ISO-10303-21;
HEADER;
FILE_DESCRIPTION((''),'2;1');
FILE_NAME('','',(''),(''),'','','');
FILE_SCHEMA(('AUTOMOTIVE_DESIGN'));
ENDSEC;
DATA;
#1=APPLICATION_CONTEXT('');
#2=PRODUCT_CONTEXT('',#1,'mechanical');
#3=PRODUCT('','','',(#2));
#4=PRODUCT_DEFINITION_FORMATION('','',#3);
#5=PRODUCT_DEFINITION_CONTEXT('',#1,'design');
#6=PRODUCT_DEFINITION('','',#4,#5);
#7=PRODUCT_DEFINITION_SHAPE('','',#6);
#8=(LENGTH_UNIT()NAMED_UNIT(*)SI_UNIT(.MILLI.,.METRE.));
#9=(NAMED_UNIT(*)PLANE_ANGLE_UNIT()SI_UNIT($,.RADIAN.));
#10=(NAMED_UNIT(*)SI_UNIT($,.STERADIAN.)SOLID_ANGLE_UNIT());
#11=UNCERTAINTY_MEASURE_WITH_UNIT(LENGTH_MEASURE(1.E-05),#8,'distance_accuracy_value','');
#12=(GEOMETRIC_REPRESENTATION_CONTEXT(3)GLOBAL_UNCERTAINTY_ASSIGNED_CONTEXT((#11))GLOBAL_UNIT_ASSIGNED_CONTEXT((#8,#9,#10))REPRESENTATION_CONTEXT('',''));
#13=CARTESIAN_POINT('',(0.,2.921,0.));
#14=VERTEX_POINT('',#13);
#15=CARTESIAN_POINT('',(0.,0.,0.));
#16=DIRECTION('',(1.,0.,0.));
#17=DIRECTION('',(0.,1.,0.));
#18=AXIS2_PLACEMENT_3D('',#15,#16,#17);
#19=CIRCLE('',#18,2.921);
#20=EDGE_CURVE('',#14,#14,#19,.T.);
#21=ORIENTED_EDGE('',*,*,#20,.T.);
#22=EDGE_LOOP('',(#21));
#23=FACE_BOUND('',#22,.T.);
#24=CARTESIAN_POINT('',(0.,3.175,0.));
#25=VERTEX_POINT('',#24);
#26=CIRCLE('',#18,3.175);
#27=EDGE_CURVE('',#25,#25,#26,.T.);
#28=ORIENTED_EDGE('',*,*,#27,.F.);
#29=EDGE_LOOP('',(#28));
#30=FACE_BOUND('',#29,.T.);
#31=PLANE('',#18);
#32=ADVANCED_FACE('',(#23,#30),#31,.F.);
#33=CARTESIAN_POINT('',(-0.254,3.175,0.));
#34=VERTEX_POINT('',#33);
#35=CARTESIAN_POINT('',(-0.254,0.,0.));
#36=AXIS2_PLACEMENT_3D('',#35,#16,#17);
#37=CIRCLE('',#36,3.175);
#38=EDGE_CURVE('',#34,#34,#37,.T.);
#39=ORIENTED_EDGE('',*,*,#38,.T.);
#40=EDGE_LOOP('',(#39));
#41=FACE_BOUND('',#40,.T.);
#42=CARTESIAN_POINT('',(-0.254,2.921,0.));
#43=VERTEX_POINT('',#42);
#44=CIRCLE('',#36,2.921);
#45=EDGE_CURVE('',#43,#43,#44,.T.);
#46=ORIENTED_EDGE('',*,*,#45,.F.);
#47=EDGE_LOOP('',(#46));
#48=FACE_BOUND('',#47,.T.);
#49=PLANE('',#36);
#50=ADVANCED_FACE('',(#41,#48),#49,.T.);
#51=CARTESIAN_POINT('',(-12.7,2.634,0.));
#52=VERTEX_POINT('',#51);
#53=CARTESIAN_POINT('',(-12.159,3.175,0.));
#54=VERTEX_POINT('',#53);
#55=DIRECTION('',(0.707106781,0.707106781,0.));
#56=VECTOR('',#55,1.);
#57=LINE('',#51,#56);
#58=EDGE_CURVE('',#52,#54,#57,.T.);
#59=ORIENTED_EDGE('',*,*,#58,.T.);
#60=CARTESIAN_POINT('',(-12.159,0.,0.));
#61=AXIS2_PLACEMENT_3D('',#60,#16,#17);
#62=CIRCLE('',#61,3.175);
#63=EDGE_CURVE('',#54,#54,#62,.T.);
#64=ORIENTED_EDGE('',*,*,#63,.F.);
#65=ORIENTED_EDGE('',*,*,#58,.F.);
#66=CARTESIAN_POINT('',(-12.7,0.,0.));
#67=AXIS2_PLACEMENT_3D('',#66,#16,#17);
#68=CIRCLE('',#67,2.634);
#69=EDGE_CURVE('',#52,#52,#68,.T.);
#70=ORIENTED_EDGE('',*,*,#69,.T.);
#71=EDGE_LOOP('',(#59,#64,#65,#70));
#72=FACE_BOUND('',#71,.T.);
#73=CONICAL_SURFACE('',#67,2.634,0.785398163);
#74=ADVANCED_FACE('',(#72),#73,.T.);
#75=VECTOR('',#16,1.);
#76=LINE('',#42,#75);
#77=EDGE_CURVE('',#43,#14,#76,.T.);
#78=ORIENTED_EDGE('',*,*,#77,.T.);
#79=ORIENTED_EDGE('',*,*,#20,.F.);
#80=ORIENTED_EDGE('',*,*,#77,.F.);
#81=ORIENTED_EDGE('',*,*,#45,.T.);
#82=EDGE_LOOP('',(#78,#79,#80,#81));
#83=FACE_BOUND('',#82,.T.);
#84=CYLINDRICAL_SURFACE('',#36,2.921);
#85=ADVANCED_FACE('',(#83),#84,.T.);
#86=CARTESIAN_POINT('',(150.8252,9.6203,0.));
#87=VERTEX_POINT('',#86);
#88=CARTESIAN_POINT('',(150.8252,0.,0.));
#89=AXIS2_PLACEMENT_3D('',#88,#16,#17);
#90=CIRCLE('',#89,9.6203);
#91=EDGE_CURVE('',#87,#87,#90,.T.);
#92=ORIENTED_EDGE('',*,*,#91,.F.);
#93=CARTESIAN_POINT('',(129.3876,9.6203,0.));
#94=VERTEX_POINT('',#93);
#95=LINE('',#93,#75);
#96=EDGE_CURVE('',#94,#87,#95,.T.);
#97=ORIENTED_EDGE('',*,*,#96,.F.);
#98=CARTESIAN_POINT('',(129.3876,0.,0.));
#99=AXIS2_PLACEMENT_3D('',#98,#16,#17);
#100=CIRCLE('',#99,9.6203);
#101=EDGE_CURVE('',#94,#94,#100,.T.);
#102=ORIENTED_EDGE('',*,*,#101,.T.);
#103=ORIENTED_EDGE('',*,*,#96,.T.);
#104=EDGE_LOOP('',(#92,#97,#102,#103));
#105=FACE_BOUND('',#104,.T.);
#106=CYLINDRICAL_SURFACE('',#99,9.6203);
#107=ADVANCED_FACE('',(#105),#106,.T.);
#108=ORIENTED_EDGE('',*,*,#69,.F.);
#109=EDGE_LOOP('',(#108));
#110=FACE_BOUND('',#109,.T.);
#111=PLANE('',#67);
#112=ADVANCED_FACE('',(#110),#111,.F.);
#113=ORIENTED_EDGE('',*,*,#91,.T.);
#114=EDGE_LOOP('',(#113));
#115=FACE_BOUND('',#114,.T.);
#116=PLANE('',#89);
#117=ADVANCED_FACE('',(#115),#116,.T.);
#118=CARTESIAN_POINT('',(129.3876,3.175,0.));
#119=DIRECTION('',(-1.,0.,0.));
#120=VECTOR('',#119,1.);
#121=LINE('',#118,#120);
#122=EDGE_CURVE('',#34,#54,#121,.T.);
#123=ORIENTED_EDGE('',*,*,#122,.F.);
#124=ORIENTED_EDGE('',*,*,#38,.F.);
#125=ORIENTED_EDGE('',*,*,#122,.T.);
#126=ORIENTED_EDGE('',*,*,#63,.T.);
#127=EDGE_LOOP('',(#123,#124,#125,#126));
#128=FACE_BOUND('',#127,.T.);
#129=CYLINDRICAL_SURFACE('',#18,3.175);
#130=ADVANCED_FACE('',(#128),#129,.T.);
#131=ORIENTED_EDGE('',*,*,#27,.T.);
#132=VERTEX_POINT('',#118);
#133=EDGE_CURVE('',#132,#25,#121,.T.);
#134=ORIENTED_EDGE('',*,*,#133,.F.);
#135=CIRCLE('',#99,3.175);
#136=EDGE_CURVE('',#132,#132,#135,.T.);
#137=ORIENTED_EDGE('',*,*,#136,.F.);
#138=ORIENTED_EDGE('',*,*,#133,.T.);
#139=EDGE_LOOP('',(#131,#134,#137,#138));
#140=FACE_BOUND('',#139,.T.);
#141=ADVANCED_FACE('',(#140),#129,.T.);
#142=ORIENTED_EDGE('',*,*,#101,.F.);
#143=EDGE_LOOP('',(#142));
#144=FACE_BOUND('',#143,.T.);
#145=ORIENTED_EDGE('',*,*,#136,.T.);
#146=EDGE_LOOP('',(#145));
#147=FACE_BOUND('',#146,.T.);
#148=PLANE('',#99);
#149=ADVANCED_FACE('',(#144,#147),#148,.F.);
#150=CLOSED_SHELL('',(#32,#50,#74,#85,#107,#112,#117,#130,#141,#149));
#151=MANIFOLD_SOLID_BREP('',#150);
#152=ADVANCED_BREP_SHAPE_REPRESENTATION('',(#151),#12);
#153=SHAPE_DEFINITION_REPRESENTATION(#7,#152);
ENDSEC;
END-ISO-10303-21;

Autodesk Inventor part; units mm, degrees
sketch "Sketch_1" plane through (0, 0, 0) normal (0, 0, 1) x (1, 0, 0)
  line L0 (150.8252, 0) -> (0, 0)
  line L1 (0, 0) -> (0, 3.175)
  line L2 (0, 3.175) -> (129.3876, 3.175)
  line L3 (129.3876, 3.175) -> (129.3876, 9.6203)
  line L4 (129.3876, 9.6203) -> (150.8252, 9.6203)
  line L5 (150.8252, 9.6203) -> (150.8252, 0)
  line L6 (150.8252, 0) -> (0, 0)
revolve "Revolution1" add sketch "Sketch_1" angle 360 about axis through (150.8252, 0, 0) along (1, 0, 0)
sketch "Sketch_3" plane through (0, 0, 0) normal (0, 0, 1) x (1, 0, 0)
  line L0 (0, 0) -> (-12.7, 0)
  line L1 (-12.7, 0) -> (-12.7, 2.634)
  line L2 (-12.7, 2.634) -> (-12.159, 3.175)
  line L3 (-12.159, 3.175) -> (0, 3.175)
  line L4 (0, 3.175) -> (0, 0)
  line L5 (0, 0) -> (-12.7, 0)
revolve "Revolution2" add sketch "Sketch_3" angle 360 about axis through (0, 0, 0) along (1, 0, 0)
thread "Thread1" size "1/4-28 UNF" class "2A" standard "ANSI Unified Screw Threads" length 12.159
sketch "Sketch_30" plane through (0, 0, 0) normal (0, 0, 1) x (1, 0, 0)
  line L0 (0, 0) -> (-0.254, 0)
  line L1 (-0.254, 2.921) -> (0, 2.921)
  line L2 (0, 2.921) -> (0, 3.429)
  line L3 (0, 3.429) -> (-0.254, 3.429)
  line L4 (-0.254, 3.429) -> (-0.254, 2.921)
revolve "Revolution3" cut sketch "Sketch_30" angle 360 about axis through (0, 0, 0) along (1, 0, 0)
ref_plane "dia1_XY" through (0, 3.175, 0) normal (1, 0, 0) x (0, 0, -1)
ref_plane "dia1_YZ" through (0, 3.175, 0) normal (0, 0, -1) x (0, 1, 0)
ref_plane "dia1_ZX" through (0, 3.175, 0) normal (0, 1, 0) x (1, 0, 0)
ref_plane "dia12_XY" through (0, 0, 10.9537) normal (1, 0, 0) x (0, 0, -1)
ref_plane "dia12_YZ" through (0, 0, 10.9537) normal (0, 0, -1) x (0, 1, 0)
ref_plane "dia12_ZX" through (0, 0, 10.9537) normal (0, 1, 0) x (1, 0, 0)
ref_plane "dia2_XY" through (0, -3.175, 0) normal (1, 0, 0) x (0, 0, -1)
ref_plane "dia2_YZ" through (0, -3.175, 0) normal (0, 0, -1) x (0, 1, 0)
ref_plane "dia2_ZX" through (0, -3.175, 0) normal (0, 1, 0) x (1, 0, 0)
ref_plane "dia22_XY" through (0, 0, -10.9537) normal (1, 0, 0) x (0, 0, -1)
ref_plane "dia22_YZ" through (0, 0, -10.9537) normal (0, 0, -1) x (0, 1, 0)
ref_plane "dia22_ZX" through (0, 0, -10.9537) normal (0, 1, 0) x (1, 0, 0)
ref_plane "hh1_XY" through (180.9496, 0, 0) normal (0, 0, 1) x (1, 0, 0)
ref_plane "hh1_YZ" through (180.9496, 0, 0) normal (1, 0, 0) x (0, 1, 0)
ref_plane "hh1_ZX" through (180.9496, 0, 0) normal (0, 1, 0) x (0, 0, 1)
ref_plane "hh2_XY" through (187.3504, 0, 0) normal (0, 0, 1) x (1, 0, 0)
ref_plane "hh2_YZ" through (187.3504, 0, 0) normal (1, 0, 0) x (0, 1, 0)
ref_plane "hh2_ZX" through (187.3504, 0, 0) normal (0, 1, 0) x (0, 0, 1)
ref_plane "rl1_XY" through (-12.7, 0, 0) normal (1, 0, 0) x (0, 0, -1)
ref_plane "rl1_YZ" through (-12.7, 0, 0) normal (0, 0, -1) x (0, 1, 0)
ref_plane "rl1_ZX" through (-12.7, 0, 0) normal (0, 1, 0) x (1, 0, 0)
ref_plane "rl2_XY" through (0, 0, 0) normal (1, 0, 0) x (0, 0, -1)
ref_plane "rl2_YZ" through (0, 0, 0) normal (0, 0, -1) x (0, 1, 0)
ref_plane "rl2_ZX" through (0, 0, 0) normal (0, 1, 0) x (1, 0, 0)
ref_plane "rod_cp_XY" through (0, 0, 0) normal (1, 0, 0) x (0, 0, -1)
ref_plane "rod_cp_YZ" through (0, 0, 0) normal (0, 0, -1) x (0, 1, 0)
ref_plane "rod_cp_ZX" through (0, 0, 0) normal (0, 1, 0) x (1, 0, 0)
ref_plane "thd1_XY" through (-12.7, 3.175, 0) normal (1, 0, 0) x (0, 0, -1)
ref_plane "thd1_YZ" through (-12.7, 3.175, 0) normal (0, 0, -1) x (0, 1, 0)
ref_plane "thd1_ZX" through (-12.7, 3.175, 0) normal (0, 1, 0) x (1, 0, 0)
ref_plane "thd2_XY" through (-12.7, -3.175, 0) normal (1, 0, 0) x (0, 0, -1)
ref_plane "thd2_YZ" through (-12.7, -3.175, 0) normal (0, 0, -1) x (0, 1, 0)
ref_plane "thd2_ZX" through (-12.7, -3.175, 0) normal (0, 1, 0) x (1, 0, 0)
ref_plane "to_rod_clevis_XY" through (-16.764, 0, 0) normal (1, 0, 0) x (0, 0, -1)
ref_plane "to_rod_clevis_YZ" through (-16.764, 0, 0) normal (0, 0, -1) x (0, 1, 0)
ref_plane "to_rod_clevis_ZX" through (-16.764, 0, 0) normal (0, 1, 0) x (1, 0, 0)
properties part number "043.5-DXP0000_rod"
